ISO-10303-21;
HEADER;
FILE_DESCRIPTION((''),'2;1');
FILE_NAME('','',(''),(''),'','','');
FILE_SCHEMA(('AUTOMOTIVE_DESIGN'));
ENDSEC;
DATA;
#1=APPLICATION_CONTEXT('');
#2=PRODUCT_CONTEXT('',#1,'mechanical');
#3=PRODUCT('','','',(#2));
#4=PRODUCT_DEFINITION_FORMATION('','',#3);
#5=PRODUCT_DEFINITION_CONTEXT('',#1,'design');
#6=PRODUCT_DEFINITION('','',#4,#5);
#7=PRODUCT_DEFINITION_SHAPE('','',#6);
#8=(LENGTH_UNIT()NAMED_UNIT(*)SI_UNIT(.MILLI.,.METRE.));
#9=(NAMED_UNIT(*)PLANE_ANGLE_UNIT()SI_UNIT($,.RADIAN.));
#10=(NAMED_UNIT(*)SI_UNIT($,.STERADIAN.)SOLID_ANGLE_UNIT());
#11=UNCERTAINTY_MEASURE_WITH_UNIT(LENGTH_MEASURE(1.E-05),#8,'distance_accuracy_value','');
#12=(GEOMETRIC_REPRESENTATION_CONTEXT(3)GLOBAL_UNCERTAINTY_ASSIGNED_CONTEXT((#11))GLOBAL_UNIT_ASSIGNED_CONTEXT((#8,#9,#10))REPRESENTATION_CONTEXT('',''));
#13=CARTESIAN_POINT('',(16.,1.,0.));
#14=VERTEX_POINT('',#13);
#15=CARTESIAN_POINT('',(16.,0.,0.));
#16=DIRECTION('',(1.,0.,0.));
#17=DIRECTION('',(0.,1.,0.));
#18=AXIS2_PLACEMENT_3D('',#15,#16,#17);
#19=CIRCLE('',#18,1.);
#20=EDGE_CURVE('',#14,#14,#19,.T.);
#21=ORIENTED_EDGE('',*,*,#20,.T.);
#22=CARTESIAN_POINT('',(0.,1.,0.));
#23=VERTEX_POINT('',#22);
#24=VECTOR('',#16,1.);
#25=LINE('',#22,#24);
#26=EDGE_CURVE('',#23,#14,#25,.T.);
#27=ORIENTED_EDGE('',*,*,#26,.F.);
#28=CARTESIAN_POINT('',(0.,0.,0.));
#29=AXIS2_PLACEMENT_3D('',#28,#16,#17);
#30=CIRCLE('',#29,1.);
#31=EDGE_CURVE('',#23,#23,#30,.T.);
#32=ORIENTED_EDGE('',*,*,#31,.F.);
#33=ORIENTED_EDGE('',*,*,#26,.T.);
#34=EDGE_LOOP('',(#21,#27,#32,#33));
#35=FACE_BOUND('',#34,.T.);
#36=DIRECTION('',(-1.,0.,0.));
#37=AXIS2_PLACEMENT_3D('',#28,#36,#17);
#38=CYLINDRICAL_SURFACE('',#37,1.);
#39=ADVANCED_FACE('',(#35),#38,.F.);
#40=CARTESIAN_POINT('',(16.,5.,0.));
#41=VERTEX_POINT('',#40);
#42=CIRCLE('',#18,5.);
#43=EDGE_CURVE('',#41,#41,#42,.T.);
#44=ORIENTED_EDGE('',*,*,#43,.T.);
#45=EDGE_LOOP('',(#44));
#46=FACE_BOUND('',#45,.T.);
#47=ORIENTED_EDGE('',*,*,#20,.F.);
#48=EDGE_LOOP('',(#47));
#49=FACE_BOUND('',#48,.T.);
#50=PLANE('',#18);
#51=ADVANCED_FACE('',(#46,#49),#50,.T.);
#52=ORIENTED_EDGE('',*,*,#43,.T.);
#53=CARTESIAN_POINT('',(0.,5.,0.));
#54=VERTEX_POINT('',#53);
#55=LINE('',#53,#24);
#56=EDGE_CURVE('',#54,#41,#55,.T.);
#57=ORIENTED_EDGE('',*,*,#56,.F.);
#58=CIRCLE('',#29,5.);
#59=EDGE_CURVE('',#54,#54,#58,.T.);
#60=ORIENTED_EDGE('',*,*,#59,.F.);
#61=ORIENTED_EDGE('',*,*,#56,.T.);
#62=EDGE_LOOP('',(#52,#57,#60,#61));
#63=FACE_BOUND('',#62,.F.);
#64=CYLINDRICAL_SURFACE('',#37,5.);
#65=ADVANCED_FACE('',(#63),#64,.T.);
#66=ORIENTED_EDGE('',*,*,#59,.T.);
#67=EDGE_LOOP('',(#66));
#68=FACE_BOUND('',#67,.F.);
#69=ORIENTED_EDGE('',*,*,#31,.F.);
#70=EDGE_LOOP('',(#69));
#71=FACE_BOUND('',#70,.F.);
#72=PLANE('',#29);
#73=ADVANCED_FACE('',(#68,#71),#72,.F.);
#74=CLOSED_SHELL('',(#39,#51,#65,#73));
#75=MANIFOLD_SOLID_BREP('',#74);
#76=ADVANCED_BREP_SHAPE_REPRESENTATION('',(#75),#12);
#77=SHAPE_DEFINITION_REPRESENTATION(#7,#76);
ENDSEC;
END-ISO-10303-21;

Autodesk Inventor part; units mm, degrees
ref_plane "YZ Plane" through (0, 0, 0) normal (1, 0, 0) x (0, 1, 0)
ref_plane "XZ Plane" through (0, 0, 0) normal (0, 1, 0) x (-1, 0, 0)
ref_plane "XY Plane" through (0, 0, 0) normal (0, 0, 1) x (1, 0, 0)
sketch "Szkic1" plane through (0, 0, 0) normal (1, 0, 0) x (0, 1, 0)
  circle A0 centre (0, 0) radius 5
  circle A1 centre (0, 0) radius 1
  dimension "d0" = 10
  dimension "d1" = 2
extrude "Wyciągnięcie proste1" add sketch "Szkic1" along normal blind 16
properties part number "bloczek"
